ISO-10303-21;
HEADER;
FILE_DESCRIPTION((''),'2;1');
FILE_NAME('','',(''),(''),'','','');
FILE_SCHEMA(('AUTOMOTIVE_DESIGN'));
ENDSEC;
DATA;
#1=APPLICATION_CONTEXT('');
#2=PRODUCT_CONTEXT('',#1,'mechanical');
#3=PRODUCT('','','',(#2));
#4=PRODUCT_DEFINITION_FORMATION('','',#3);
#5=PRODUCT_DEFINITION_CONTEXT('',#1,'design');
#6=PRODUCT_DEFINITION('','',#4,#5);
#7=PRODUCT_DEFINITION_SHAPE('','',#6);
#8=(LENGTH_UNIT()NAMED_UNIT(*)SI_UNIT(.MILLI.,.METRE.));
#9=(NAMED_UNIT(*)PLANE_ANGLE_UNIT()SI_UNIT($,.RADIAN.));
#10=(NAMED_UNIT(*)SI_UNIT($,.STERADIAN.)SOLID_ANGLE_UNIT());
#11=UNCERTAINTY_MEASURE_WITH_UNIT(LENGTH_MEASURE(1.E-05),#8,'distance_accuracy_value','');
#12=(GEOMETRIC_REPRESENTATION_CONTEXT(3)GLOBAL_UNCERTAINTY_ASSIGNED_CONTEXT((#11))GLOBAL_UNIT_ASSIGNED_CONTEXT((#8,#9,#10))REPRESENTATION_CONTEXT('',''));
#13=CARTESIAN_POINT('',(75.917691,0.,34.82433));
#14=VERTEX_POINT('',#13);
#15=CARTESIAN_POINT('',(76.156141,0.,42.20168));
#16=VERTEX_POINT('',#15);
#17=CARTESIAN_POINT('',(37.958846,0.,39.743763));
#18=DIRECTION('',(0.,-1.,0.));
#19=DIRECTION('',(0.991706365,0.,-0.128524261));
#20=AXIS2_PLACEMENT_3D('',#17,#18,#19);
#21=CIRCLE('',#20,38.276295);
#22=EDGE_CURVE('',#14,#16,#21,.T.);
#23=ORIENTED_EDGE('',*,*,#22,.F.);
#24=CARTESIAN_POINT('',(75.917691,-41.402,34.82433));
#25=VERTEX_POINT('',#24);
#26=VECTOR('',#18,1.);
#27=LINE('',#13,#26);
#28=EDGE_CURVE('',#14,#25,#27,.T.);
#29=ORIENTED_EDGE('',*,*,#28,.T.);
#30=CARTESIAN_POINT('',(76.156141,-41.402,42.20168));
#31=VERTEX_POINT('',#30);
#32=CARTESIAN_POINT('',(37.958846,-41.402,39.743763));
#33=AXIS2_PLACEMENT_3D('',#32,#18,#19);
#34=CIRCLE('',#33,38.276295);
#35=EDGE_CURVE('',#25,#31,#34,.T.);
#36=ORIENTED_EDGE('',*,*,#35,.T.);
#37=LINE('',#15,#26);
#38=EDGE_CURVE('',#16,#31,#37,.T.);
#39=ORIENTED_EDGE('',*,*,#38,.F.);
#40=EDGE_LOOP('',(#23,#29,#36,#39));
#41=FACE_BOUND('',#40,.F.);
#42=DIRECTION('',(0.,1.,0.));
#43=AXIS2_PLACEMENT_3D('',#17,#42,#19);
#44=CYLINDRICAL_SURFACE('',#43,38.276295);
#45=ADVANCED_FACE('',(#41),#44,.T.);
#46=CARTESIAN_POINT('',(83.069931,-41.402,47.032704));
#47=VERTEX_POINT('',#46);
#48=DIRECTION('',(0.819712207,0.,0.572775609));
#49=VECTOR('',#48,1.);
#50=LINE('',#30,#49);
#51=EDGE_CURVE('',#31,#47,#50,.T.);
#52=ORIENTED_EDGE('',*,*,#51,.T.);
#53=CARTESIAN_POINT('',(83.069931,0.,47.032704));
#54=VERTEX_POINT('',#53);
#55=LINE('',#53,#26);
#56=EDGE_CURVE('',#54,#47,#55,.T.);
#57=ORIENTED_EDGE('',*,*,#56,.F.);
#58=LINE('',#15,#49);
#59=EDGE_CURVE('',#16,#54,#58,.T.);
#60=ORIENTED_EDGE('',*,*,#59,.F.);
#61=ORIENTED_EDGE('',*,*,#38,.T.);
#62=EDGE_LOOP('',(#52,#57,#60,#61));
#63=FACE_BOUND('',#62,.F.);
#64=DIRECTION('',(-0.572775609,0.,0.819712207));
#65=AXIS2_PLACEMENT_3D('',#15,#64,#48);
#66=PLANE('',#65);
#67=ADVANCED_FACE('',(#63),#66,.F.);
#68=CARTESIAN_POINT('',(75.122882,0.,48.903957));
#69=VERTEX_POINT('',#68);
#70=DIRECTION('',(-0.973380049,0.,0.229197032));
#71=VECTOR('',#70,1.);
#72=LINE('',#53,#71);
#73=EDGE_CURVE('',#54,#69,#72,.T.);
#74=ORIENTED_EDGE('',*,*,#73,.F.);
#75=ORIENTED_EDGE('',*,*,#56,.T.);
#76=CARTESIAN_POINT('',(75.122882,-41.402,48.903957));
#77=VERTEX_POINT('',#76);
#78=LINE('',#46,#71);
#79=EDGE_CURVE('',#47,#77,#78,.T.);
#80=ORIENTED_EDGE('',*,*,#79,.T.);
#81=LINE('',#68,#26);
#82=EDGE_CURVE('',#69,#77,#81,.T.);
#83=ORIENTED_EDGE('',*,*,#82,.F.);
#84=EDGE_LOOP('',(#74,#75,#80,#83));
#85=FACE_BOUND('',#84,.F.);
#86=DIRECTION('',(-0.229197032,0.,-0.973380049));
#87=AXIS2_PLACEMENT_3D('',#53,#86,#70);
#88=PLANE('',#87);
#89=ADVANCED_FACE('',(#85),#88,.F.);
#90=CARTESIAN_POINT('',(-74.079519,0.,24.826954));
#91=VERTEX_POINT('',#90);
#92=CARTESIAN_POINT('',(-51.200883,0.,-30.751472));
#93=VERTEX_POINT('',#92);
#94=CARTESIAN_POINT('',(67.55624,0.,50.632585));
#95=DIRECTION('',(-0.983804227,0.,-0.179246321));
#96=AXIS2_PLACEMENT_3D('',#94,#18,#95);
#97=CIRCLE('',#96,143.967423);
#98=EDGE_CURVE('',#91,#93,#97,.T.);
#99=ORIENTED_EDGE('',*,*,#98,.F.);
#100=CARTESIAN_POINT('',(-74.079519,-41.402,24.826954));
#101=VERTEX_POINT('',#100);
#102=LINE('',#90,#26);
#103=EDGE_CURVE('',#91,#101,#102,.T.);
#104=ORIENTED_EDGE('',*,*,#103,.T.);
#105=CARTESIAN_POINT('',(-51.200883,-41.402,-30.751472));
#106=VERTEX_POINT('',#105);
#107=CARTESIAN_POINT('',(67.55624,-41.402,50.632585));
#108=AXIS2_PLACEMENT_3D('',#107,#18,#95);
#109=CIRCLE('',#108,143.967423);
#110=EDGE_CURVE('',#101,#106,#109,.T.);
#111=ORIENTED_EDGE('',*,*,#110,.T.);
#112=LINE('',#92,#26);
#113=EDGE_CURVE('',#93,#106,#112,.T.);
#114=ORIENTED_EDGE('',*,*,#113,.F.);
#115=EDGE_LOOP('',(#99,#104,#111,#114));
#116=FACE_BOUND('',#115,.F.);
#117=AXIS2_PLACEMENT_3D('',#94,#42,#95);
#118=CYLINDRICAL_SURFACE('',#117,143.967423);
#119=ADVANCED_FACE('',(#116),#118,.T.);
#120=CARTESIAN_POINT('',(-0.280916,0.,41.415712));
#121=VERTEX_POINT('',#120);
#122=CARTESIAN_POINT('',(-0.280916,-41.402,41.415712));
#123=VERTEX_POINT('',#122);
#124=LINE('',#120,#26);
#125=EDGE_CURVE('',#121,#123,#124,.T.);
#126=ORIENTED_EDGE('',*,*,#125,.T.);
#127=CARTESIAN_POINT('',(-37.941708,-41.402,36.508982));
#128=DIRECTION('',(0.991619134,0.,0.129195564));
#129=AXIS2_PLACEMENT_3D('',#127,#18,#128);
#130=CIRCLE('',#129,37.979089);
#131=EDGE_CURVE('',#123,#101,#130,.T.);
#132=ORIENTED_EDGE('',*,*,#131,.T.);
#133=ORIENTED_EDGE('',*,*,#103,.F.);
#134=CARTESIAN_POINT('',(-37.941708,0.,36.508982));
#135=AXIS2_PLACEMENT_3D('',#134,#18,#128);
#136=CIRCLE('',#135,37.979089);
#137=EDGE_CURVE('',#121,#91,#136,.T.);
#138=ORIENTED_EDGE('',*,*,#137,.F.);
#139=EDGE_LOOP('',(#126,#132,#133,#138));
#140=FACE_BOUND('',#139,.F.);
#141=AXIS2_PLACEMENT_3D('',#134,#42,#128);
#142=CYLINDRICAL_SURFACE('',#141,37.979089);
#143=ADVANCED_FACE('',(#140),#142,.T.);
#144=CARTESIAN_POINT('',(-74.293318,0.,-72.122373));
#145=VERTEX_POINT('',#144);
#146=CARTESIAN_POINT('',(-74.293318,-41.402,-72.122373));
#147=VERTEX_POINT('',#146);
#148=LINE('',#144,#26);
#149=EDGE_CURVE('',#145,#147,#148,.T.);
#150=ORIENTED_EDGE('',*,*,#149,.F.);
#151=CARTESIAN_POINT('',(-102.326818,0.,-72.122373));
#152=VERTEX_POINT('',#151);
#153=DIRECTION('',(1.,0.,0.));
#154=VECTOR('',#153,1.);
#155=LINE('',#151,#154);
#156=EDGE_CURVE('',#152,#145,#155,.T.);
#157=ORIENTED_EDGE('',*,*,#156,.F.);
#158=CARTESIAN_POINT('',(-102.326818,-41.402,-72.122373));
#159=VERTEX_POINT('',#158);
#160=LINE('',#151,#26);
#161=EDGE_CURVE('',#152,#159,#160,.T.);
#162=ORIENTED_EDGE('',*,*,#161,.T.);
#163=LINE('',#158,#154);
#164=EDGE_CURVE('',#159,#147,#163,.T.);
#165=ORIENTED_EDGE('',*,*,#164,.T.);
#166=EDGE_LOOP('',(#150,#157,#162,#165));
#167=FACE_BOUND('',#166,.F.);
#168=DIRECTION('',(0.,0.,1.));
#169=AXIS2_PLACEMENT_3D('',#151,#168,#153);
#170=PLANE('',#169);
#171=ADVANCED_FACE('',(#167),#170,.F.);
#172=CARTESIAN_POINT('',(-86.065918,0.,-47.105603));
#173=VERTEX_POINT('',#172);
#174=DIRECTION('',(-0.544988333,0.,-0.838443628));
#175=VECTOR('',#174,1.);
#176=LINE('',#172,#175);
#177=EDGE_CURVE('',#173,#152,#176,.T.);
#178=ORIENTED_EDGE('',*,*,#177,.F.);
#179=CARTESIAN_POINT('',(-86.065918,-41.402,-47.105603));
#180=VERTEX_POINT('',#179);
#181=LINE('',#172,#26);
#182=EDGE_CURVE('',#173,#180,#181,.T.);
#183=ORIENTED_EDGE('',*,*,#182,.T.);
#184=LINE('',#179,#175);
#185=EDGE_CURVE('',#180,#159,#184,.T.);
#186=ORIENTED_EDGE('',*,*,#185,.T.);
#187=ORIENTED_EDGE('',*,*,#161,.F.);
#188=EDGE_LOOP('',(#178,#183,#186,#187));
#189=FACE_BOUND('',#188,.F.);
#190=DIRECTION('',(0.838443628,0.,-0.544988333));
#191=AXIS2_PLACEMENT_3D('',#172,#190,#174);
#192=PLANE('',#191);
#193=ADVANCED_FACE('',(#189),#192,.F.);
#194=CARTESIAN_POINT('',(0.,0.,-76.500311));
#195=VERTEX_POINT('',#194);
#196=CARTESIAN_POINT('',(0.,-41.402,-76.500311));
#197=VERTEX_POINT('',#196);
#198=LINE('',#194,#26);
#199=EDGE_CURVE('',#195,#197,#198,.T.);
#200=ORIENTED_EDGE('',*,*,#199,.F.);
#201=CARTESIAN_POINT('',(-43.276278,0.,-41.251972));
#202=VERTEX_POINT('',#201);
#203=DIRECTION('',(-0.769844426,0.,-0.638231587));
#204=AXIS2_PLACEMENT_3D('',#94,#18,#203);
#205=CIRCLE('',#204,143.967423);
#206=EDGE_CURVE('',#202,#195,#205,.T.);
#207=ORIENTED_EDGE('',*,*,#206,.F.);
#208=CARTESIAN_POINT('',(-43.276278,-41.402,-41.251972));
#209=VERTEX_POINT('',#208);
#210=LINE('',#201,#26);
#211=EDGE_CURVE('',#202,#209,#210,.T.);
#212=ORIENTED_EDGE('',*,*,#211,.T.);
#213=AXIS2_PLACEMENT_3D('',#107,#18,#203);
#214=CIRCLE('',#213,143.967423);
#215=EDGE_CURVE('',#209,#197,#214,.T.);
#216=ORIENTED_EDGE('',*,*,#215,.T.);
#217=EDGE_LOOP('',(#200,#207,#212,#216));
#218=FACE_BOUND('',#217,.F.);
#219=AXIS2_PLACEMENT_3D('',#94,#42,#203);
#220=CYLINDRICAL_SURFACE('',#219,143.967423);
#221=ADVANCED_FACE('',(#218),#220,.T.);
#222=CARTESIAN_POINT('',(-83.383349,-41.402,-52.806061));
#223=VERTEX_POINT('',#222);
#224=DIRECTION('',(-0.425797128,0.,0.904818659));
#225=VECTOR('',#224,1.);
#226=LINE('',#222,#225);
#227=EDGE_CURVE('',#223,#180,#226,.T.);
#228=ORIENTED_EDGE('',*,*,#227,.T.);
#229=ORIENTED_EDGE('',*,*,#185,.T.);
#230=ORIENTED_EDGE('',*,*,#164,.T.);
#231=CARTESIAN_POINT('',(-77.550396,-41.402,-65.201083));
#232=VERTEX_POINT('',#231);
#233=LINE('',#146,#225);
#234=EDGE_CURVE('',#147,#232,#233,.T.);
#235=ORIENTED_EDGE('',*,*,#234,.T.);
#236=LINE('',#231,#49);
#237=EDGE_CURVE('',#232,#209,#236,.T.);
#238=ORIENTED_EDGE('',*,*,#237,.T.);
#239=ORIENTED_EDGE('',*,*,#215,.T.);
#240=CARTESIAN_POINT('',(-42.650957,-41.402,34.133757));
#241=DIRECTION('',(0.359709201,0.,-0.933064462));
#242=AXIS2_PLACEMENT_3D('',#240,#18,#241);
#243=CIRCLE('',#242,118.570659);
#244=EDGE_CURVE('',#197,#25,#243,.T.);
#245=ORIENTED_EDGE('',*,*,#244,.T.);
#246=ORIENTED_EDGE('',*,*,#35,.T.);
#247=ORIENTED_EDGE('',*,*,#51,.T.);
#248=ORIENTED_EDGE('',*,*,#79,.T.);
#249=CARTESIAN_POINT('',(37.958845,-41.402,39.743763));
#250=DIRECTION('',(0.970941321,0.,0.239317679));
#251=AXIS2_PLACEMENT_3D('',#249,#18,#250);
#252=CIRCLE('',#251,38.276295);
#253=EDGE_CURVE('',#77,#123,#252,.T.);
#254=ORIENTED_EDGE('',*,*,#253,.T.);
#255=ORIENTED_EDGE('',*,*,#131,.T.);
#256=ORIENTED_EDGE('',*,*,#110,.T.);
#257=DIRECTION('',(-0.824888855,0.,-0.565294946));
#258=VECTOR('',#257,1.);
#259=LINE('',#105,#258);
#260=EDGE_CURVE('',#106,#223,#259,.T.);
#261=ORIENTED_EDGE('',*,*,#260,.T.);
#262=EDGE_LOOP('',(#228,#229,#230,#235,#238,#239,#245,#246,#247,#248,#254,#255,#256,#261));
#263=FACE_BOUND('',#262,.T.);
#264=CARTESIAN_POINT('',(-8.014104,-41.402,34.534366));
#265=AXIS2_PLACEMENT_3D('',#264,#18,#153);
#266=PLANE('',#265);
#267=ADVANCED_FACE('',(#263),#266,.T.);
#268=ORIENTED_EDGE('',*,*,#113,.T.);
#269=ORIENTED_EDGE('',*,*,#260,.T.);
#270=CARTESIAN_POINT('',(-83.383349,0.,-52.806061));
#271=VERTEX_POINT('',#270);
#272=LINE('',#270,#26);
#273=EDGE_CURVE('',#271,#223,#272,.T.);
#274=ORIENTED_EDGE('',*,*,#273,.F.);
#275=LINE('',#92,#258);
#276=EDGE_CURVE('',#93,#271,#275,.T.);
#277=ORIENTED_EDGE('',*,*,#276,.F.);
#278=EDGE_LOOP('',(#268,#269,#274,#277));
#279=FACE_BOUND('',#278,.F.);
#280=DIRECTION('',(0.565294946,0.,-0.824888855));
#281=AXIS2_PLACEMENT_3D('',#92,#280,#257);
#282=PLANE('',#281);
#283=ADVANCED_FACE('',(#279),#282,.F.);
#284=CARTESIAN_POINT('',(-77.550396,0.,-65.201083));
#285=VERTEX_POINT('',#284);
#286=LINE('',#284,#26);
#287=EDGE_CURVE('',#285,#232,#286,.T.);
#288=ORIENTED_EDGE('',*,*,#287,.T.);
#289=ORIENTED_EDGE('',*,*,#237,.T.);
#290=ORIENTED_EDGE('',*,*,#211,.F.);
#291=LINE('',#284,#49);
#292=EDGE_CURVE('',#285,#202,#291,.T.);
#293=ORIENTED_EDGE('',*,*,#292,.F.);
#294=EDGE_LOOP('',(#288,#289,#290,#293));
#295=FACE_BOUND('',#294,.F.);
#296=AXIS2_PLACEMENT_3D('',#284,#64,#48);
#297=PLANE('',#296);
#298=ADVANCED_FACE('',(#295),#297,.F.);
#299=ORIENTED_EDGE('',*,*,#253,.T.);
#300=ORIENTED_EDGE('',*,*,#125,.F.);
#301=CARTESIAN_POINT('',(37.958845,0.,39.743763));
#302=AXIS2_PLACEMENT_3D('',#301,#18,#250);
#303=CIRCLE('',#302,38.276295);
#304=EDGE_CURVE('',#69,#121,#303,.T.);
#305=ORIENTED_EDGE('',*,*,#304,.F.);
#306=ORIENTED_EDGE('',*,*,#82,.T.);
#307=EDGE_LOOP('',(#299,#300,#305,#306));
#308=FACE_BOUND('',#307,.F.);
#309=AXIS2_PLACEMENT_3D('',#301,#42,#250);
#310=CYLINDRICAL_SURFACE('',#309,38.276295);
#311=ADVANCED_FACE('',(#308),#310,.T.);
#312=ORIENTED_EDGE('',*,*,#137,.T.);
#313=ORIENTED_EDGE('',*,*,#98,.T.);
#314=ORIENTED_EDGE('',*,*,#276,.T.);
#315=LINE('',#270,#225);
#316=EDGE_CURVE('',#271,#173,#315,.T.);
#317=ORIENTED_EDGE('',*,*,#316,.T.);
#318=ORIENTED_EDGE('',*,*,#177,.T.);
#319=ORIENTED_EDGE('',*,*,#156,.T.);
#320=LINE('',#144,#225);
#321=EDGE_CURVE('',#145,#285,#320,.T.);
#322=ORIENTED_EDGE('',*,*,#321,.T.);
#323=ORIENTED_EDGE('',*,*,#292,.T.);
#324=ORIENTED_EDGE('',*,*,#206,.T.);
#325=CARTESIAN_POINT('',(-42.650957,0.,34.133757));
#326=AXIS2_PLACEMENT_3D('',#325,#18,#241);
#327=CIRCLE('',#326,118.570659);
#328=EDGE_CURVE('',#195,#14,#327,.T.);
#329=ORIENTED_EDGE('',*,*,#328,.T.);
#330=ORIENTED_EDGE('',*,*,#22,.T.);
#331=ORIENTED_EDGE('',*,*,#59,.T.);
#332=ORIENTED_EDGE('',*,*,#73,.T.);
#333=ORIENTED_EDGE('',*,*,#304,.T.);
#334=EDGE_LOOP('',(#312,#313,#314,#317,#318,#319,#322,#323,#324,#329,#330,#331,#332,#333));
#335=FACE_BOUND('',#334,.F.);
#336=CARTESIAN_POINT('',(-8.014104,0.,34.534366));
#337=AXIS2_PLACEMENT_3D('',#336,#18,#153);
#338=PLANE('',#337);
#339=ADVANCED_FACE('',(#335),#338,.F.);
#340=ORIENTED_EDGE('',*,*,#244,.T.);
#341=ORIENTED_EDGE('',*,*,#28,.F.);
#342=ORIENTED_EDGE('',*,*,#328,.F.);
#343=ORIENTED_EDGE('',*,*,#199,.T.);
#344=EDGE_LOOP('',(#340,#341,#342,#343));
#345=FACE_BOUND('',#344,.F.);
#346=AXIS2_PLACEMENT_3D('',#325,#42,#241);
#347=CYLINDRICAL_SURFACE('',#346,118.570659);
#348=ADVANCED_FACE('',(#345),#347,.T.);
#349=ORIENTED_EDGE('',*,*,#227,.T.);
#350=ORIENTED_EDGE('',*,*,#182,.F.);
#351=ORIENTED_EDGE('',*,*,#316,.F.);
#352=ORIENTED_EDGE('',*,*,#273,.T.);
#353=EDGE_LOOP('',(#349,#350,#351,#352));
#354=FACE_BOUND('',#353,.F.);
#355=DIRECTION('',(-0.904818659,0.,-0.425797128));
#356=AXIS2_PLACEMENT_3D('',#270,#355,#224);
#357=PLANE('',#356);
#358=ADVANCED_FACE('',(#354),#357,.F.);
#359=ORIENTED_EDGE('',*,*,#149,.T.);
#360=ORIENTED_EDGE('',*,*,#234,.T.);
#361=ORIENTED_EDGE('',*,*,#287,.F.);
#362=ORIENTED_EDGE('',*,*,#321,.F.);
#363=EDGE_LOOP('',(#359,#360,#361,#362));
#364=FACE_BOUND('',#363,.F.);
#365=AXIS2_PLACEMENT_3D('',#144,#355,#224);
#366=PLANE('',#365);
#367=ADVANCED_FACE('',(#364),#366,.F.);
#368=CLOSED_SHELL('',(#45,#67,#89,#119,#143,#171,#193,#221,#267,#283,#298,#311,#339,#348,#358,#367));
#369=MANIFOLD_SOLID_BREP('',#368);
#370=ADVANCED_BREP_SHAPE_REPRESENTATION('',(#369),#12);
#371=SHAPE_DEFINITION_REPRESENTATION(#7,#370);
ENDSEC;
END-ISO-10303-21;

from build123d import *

# Parameters (mm, degrees)
F1_DEPTH = 41.402


with BuildPart() as f1:
    # F0 (on Front) → F1 (new body)
    with BuildSketch(Plane.XZ):
        with BuildLine():
            ThreePointArc((75.1228820371, 48.9039570062), (34.1762870658, 77.8326985655), (-0.2809159214, 41.4157122781))
            ThreePointArc((-0.2809159214, 41.4157122781), (-46.2709688412, 73.563464421), (-74.0795194682, 24.826954006))
            ThreePointArc((-74.0795194682, 24.826954006), (-65.5728464614, -4.1694705516), (-51.2008829791, -30.7514717635))
            Line((-51.2008829791, -30.7514717635), (67.5562396646, 50.6325848401))
            Line((67.5562396646, 50.6325848401), (75.1299743215, 48.8751346441))
            ThreePointArc((75.1299743215, 48.8751346441), (75.1264309732, 48.8895465126), (75.1228820371, 48.9039570062))
        make_face()
        with BuildLine():
            ThreePointArc((-0.2809159214, 41.4157122781), (0.0029369916, 38.1261326209), (0, 34.8243303597))
            ThreePointArc((0, 34.8243303597), (-0.2827353132, 38.1139576476), (-0.2809159214, 41.4157122781))
        make_face(mode=Mode.SUBTRACT)
        with BuildLine():
            Line((76.1561413802, 42.2016797322), (-43.2762784182, -41.251971987))
            ThreePointArc((-43.2762784182, -41.251971987), (-23.3626724613, -60.993443781), (0, -76.5003114939))
            ThreePointArc((0, -76.5003114939), (55.3094137042, -32.6701874089), (75.9176909924, 34.8243303597))
            ThreePointArc((75.9176909924, 34.8243303597), (76.2151624703, 38.5072437767), (76.1561413802, 42.2016797322))
        make_face()
        with BuildLine():
            Line((67.5562396646, 50.6325848401), (-51.2008829791, -30.7514717635))
            ThreePointArc((-51.2008829791, -30.7514717635), (-47.3585805653, -36.0922843694), (-43.2762784182, -41.251971987))
            Line((-43.2762784182, -41.251971987), (76.1561413802, 42.2016797322))
            ThreePointArc((76.1561413802, 42.2016797322), (75.7904937673, 45.5610781858), (75.1299743215, 48.8751346441))
            Line((75.1299743215, 48.8751346441), (67.5562396646, 50.6325848401))
        make_face()
        with BuildLine():
            ThreePointArc((-43.2762784182, -41.251971987), (-47.3585805653, -36.0922843694), (-51.2008829791, -30.7514717635))
            Line((-51.2008829791, -30.7514717635), (-83.3833487633, -52.8060614902))
            Line((-83.3833487633, -52.8060614902), (-77.5503959743, -65.2010829096))
            Line((-77.5503959743, -65.2010829096), (-43.2762784182, -41.251971987))
        make_face()
        Polygon((-77.5503959743, -65.2010829096), (-83.3833487633, -52.8060614902), (-86.0659182072, -47.1056029201), (-102.3268178105, -72.1223726869), (-74.2933175762, -72.1223726869), align=None)
        with BuildLine():
            Line((83.0699306878, 47.0327043895), (75.1299743215, 48.8751346441))
            ThreePointArc((75.1299743215, 48.8751346441), (75.7904937673, 45.5610781858), (76.1561413802, 42.2016797322))
            Line((76.1561413802, 42.2016797322), (83.0699306878, 47.0327043895))
        make_face()
        with BuildLine():
            ThreePointArc((-0.2809159214, 41.4157122781), (-0.2827353132, 38.1139576476), (0, 34.8243303597))
            ThreePointArc((0, 34.8243303597), (0.0029369916, 38.1261326209), (-0.2809159214, 41.4157122781))
        make_face()
        with BuildLine():
            Line((83.0699306878, 47.0327043895), (75.1228820371, 48.9039570062))
            ThreePointArc((75.1228820371, 48.9039570062), (75.1264309732, 48.8895465126), (75.1299743215, 48.8751346441))
            Line((75.1299743215, 48.8751346441), (83.0699306878, 47.0327043895))
        make_face()
    extrude(amount=F1_DEPTH)


solid = f1.part
